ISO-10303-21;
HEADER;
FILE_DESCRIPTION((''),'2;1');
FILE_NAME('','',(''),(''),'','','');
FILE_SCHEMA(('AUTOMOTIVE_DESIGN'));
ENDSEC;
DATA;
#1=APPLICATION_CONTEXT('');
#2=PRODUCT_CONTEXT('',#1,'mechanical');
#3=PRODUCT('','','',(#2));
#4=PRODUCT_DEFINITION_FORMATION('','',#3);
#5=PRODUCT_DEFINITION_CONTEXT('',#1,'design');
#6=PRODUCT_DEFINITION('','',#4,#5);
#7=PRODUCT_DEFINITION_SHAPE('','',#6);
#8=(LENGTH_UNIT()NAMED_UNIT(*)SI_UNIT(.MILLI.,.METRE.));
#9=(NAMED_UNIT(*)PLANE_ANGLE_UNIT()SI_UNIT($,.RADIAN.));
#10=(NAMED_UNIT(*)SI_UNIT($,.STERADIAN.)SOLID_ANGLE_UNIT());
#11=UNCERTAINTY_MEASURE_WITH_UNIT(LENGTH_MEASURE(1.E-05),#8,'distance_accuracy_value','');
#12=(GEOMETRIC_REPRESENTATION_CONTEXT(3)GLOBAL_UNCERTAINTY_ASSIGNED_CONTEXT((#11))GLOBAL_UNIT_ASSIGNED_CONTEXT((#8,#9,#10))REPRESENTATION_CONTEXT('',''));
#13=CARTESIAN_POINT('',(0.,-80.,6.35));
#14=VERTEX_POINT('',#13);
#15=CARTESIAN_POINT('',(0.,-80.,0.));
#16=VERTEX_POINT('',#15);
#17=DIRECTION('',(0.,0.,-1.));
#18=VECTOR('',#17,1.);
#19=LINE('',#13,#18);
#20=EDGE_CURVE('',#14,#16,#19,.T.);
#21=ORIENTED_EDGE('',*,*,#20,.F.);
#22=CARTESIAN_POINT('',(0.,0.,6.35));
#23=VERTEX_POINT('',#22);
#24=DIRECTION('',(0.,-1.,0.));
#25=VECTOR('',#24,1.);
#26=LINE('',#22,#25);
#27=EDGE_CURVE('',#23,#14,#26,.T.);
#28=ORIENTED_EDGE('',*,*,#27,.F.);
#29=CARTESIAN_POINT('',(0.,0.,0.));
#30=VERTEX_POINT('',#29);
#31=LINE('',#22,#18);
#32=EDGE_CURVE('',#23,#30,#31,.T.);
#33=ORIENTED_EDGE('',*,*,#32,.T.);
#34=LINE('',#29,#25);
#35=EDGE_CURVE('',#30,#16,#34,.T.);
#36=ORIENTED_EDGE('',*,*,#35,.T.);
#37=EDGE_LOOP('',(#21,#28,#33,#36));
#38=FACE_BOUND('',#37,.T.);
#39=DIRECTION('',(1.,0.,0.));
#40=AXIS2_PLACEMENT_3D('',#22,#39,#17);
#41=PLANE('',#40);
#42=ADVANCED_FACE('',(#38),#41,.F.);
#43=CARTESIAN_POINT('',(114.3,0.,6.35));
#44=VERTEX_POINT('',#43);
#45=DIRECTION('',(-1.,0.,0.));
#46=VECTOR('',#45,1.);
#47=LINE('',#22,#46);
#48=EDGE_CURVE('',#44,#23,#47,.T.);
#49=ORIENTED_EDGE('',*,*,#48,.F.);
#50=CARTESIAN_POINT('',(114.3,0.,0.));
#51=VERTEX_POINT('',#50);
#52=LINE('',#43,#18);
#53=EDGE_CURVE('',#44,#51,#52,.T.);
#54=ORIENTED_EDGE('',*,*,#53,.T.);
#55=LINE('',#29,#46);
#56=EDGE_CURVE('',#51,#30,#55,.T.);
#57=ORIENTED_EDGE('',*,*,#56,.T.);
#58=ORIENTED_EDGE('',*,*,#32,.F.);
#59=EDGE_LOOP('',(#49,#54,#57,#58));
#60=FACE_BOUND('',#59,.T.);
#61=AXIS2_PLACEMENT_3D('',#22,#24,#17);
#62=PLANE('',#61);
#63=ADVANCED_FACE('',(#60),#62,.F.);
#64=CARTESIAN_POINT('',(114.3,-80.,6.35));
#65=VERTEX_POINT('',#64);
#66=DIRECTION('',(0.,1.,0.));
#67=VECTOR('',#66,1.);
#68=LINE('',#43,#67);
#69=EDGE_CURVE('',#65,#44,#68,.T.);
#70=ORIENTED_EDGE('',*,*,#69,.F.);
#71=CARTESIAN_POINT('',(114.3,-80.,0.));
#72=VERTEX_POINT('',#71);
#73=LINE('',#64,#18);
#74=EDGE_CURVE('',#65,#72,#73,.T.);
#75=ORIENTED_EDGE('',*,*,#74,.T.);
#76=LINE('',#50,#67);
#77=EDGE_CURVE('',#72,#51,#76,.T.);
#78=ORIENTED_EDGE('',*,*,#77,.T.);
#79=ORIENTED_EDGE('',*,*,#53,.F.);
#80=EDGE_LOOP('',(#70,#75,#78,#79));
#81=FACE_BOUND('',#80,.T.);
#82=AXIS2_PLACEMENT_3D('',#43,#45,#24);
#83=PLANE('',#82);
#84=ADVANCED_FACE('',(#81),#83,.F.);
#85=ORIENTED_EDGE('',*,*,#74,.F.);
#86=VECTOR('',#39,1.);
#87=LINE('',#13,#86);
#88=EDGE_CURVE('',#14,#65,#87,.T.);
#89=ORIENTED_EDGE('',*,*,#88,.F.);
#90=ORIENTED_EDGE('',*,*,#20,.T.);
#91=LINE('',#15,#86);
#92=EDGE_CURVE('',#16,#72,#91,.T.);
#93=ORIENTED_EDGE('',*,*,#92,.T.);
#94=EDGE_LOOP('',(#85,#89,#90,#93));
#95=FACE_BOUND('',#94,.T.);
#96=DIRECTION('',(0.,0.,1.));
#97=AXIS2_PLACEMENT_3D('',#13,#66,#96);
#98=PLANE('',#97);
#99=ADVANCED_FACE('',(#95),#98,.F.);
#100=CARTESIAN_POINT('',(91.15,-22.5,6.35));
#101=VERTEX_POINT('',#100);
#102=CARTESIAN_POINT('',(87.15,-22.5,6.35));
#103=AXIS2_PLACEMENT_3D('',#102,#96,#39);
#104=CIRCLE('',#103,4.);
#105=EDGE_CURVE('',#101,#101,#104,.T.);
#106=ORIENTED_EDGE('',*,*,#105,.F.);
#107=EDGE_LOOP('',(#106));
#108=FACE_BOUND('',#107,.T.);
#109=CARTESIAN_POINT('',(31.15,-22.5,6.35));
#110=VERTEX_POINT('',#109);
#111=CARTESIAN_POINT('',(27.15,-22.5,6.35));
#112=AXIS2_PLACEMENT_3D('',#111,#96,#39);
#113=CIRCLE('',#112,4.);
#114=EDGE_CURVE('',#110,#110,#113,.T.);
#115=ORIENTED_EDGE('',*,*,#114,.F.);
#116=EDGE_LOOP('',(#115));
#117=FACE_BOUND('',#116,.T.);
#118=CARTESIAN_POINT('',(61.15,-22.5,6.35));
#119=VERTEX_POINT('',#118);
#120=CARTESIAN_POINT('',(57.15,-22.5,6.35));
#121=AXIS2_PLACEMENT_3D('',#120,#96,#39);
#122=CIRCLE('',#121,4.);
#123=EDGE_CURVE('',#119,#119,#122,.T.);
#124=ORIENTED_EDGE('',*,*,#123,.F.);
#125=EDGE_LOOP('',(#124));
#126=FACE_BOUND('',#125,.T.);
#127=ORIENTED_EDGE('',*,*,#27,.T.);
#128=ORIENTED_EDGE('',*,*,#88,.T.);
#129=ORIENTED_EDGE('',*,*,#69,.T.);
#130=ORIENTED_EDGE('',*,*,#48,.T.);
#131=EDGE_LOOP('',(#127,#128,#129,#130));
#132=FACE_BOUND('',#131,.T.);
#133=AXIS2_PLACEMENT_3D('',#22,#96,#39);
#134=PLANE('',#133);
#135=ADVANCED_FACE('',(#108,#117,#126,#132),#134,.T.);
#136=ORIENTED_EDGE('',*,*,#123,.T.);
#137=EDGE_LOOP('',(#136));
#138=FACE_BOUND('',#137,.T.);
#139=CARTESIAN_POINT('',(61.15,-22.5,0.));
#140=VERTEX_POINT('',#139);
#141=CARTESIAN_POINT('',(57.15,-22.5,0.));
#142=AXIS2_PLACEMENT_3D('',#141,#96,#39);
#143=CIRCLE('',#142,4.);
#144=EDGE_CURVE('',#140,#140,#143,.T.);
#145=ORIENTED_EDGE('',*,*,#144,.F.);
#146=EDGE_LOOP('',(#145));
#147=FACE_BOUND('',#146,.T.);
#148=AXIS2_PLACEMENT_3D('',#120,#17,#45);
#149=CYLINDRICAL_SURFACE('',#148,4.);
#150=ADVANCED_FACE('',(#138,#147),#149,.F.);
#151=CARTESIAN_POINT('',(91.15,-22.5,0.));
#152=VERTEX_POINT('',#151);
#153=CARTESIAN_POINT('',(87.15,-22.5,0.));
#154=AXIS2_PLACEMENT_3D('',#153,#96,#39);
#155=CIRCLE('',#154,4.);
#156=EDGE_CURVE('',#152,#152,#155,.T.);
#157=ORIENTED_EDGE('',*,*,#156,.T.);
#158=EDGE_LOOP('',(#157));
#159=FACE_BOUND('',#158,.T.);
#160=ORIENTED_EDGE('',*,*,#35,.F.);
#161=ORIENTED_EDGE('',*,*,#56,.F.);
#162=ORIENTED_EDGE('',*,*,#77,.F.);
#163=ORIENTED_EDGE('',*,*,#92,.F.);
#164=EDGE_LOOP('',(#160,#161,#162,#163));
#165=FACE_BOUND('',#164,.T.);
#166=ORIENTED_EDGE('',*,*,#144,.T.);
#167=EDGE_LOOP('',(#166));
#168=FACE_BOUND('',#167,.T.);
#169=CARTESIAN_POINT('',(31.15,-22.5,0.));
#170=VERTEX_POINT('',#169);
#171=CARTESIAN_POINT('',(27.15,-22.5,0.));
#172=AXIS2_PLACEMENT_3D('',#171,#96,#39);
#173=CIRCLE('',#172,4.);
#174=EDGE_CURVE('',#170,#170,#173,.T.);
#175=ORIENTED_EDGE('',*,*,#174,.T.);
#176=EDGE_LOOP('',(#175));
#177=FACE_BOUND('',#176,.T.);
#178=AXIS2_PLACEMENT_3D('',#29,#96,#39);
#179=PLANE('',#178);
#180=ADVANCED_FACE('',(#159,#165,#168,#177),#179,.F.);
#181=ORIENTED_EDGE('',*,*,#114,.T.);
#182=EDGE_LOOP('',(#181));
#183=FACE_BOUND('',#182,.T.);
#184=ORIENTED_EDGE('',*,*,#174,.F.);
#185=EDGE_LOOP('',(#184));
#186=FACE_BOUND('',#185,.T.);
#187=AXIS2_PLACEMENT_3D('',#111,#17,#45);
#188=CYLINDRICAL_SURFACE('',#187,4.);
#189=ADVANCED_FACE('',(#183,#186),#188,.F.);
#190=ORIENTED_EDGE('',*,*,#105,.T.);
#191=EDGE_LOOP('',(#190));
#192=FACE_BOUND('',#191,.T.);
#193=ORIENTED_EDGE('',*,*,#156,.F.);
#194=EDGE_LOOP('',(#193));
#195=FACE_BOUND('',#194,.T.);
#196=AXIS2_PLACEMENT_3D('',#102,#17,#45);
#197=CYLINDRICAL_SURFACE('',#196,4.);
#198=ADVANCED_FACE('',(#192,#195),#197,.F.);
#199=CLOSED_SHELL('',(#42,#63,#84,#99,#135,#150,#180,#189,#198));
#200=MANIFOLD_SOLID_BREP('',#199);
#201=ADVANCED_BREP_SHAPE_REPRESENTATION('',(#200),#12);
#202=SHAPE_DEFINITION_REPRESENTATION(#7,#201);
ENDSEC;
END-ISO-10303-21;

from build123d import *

# Parameters (mm, degrees)
SKETCH1_W           = 114.3
SKETCH1_H           = 80
SKETCH1_R           = 4
BOSS_EXTRUDE1_DEPTH = 6.35


with BuildPart() as part:
    # Sketch1 → Boss-Extrude1 (new body)
    with BuildSketch(Plane.XY):
        with Locations((57.15, -40)):
            Rectangle(SKETCH1_W, SKETCH1_H)
        with Locations((57.15, -22.5)):
            Circle(SKETCH1_R, mode=Mode.SUBTRACT)
        with Locations((27.15, -22.5)):
            Circle(SKETCH1_R, mode=Mode.SUBTRACT)
        with Locations((87.15, -22.5)):
            Circle(SKETCH1_R, mode=Mode.SUBTRACT)
    extrude(amount=BOSS_EXTRUDE1_DEPTH)


solid = part.part
